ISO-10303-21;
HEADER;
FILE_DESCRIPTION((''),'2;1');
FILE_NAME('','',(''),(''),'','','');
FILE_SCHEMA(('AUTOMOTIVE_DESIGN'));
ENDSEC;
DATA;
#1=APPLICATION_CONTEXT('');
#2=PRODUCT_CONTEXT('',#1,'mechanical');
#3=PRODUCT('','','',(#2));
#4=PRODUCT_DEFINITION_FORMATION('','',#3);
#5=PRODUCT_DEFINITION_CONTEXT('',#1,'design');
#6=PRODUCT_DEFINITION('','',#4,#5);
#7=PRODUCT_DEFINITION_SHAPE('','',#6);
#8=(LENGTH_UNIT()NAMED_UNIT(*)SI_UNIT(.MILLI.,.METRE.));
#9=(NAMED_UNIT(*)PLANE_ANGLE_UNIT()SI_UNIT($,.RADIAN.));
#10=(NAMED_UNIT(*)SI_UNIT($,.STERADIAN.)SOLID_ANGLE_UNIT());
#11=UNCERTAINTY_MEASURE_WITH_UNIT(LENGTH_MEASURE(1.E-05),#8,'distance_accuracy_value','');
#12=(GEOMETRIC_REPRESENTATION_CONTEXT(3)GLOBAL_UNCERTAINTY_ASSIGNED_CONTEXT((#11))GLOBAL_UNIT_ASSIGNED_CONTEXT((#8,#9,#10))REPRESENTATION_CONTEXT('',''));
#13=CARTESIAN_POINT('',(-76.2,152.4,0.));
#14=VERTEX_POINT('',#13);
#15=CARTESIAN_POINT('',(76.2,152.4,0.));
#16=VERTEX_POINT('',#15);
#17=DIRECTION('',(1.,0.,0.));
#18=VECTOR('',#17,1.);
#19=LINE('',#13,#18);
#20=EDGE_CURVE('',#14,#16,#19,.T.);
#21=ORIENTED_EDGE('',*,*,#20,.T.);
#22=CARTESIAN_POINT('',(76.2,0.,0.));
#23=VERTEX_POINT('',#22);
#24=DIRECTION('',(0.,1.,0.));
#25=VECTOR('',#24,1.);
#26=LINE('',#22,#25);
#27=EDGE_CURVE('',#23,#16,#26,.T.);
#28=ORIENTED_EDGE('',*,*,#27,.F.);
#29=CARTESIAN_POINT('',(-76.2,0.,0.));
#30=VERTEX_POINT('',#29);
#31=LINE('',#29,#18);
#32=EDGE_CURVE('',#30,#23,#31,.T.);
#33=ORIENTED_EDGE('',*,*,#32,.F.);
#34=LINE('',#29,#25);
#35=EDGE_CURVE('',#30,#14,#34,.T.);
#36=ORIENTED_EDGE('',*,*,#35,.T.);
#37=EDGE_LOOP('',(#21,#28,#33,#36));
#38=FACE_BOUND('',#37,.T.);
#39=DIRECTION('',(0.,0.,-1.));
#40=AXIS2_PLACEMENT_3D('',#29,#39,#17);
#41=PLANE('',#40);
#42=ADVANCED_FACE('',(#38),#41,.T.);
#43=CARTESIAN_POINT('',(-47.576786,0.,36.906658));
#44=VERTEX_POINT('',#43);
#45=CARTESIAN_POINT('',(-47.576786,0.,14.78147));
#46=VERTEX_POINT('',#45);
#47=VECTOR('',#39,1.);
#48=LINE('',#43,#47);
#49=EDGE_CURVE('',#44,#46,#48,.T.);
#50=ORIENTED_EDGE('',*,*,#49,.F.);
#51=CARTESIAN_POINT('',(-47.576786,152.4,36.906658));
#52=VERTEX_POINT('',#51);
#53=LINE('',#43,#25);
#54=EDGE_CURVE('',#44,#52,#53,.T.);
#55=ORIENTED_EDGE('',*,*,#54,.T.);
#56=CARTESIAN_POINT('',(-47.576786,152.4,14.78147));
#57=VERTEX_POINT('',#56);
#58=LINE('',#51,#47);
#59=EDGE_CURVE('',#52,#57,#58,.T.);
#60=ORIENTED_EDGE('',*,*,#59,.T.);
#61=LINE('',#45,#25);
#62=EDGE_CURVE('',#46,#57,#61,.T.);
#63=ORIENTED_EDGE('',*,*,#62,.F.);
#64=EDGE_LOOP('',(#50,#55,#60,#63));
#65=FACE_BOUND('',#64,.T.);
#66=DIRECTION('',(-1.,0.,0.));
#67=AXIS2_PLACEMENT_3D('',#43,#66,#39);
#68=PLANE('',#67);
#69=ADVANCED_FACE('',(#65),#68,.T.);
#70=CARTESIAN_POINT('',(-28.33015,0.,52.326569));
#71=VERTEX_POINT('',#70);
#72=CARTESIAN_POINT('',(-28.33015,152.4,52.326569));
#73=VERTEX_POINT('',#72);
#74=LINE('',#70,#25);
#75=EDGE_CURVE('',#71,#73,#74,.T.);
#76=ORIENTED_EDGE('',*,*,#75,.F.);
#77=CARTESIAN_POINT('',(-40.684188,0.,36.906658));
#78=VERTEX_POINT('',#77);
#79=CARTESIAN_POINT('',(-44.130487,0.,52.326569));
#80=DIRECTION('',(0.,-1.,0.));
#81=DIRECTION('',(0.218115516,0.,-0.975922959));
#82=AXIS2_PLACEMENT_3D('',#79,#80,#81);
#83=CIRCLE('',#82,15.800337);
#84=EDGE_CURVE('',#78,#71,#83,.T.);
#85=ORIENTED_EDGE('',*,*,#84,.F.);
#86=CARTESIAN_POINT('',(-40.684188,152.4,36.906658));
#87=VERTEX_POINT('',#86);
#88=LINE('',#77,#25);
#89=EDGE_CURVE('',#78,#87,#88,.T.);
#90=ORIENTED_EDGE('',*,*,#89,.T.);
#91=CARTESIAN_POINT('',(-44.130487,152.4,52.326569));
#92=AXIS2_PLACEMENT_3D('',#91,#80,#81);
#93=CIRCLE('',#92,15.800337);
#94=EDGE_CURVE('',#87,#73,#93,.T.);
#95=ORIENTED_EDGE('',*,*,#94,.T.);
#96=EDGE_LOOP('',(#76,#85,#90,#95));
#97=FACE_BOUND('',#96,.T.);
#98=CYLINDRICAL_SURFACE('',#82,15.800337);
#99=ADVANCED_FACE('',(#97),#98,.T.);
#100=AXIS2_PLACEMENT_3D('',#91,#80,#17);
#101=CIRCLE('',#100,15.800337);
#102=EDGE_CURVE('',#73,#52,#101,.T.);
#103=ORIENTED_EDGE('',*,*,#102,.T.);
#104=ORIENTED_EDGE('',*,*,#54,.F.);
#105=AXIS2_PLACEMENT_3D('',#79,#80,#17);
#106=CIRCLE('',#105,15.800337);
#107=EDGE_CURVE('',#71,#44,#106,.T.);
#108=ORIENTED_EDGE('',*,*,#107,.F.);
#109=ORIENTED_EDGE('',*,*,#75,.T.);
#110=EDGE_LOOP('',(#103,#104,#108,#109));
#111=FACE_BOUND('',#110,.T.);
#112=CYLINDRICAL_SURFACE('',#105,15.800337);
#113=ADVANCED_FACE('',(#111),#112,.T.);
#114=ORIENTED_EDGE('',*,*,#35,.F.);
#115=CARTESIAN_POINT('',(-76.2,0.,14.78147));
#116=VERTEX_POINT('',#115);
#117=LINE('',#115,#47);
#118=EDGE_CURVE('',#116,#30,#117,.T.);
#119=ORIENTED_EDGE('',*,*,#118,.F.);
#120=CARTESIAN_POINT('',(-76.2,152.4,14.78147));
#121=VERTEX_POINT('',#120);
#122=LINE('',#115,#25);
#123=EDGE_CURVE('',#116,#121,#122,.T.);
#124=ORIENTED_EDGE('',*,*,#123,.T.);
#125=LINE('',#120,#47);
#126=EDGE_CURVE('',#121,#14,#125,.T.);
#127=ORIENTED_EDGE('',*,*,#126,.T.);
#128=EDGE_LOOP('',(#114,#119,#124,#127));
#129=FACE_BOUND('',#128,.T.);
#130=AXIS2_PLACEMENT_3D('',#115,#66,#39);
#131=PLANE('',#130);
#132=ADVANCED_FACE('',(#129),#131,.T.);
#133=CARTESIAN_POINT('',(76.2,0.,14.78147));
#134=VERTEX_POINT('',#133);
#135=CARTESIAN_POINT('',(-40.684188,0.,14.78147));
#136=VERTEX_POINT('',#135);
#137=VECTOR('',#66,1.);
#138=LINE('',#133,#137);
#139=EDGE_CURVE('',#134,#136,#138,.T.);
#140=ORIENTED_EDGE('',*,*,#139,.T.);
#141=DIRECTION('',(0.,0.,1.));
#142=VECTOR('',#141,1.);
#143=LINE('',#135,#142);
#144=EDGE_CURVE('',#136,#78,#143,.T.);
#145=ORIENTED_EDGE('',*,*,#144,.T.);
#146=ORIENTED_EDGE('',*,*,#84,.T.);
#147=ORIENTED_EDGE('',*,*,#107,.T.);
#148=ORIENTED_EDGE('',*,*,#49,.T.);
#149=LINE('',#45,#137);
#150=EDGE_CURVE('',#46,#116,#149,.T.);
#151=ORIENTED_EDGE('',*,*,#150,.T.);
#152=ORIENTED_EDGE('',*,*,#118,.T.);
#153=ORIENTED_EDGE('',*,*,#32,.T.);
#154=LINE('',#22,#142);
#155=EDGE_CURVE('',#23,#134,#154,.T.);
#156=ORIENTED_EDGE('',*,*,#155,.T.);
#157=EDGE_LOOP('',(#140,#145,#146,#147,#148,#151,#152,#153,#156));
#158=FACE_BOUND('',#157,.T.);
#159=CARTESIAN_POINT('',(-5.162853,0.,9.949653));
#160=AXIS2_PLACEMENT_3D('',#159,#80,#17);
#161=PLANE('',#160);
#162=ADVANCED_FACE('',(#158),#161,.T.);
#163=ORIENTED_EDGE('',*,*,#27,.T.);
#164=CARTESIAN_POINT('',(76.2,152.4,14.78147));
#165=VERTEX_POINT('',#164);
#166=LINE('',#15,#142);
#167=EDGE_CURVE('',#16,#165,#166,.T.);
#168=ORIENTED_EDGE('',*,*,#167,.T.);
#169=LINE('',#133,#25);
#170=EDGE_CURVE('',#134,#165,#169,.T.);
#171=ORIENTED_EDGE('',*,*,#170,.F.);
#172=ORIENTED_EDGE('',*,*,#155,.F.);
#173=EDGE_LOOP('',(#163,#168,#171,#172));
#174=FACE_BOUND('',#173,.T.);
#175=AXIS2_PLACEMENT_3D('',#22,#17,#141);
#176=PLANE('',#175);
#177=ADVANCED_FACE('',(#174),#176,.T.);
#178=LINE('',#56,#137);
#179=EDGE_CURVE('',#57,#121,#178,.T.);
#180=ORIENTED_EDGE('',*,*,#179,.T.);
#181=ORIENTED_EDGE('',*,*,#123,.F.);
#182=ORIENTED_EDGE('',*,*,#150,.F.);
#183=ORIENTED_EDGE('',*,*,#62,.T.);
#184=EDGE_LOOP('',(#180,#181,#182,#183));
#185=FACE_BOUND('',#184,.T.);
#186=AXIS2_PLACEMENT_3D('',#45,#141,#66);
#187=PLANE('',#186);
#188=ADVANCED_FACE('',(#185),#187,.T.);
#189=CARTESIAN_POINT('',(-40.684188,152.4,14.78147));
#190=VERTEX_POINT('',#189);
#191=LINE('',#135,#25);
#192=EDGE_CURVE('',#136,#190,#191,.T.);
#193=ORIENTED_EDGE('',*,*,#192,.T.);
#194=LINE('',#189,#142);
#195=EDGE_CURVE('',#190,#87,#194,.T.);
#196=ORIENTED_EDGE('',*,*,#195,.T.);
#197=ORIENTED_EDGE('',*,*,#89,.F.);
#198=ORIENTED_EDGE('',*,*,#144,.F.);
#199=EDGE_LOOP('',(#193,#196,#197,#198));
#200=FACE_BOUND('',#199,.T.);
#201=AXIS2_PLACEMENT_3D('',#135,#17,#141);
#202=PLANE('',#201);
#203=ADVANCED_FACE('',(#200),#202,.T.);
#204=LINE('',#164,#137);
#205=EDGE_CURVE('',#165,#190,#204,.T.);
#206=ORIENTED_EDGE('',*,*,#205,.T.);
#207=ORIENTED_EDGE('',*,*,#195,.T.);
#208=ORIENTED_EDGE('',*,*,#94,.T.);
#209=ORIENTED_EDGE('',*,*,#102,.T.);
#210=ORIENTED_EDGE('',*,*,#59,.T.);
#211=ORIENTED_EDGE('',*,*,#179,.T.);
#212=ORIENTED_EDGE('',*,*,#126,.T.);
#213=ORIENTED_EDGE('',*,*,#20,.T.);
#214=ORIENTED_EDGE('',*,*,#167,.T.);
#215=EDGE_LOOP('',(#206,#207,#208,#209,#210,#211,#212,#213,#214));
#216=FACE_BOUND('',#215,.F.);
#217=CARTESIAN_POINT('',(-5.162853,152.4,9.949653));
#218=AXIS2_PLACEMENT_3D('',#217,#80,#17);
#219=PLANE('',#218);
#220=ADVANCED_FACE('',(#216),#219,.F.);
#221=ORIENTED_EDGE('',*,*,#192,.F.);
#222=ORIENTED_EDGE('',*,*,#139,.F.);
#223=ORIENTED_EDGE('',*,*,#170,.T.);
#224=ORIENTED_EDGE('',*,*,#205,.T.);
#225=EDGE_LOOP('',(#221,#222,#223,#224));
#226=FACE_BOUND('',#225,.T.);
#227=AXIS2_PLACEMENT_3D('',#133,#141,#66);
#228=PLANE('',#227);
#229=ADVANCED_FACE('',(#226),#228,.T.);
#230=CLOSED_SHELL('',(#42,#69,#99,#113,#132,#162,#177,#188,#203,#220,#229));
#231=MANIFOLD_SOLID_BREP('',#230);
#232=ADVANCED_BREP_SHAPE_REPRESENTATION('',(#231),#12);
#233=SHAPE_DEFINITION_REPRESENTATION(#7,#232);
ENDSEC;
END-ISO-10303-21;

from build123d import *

# Parameters (mm, degrees)
F1_DEPTH = 152.4


with BuildPart() as f1:
    # F0 (on Front) → F1 (new body)
    with BuildSketch(Plane.XZ):
        with BuildLine():
            Line((-76.2, 0), (76.2, 0))
            Line((76.2, 0), (76.2, 14.7814704105))
            Line((76.2, 14.7814704105), (-40.6841884647, 14.7814704105))
            Line((-40.6841884647, 14.7814704105), (-40.6841884647, 36.9066577405))
            ThreePointArc((-40.6841884647, 36.9066577405), (-44.1304871161, 36.5262323772), (-47.5767857675, 36.9066577405))
            Line((-47.5767857675, 36.9066577405), (-47.5767857675, 14.7814704105))
            Line((-47.5767857675, 14.7814704105), (-76.2, 14.7814704105))
            Line((-76.2, 14.7814704105), (-76.2, 0))
        make_face()
        with BuildLine():
            ThreePointArc((-47.5767857675, 36.9066577405), (-44.1304871161, 36.5262323772), (-40.6841884647, 36.9066577405))
            Line((-40.6841884647, 36.9066577405), (-47.5767857675, 36.9066577405))
        make_face()
        with BuildLine():
            Line((-47.5767857675, 36.9066577405), (-40.6841884647, 36.9066577405))
            ThreePointArc((-40.6841884647, 36.9066577405), (-31.7995640387, 42.4473495266), (-28.3301501596, 52.3265693337))
            ThreePointArc((-28.3301501596, 52.3265693337), (-54.0097069231, 64.6574924111), (-47.5767857675, 36.9066577405))
        make_face()
    extrude(amount=-F1_DEPTH)


solid = f1.part
